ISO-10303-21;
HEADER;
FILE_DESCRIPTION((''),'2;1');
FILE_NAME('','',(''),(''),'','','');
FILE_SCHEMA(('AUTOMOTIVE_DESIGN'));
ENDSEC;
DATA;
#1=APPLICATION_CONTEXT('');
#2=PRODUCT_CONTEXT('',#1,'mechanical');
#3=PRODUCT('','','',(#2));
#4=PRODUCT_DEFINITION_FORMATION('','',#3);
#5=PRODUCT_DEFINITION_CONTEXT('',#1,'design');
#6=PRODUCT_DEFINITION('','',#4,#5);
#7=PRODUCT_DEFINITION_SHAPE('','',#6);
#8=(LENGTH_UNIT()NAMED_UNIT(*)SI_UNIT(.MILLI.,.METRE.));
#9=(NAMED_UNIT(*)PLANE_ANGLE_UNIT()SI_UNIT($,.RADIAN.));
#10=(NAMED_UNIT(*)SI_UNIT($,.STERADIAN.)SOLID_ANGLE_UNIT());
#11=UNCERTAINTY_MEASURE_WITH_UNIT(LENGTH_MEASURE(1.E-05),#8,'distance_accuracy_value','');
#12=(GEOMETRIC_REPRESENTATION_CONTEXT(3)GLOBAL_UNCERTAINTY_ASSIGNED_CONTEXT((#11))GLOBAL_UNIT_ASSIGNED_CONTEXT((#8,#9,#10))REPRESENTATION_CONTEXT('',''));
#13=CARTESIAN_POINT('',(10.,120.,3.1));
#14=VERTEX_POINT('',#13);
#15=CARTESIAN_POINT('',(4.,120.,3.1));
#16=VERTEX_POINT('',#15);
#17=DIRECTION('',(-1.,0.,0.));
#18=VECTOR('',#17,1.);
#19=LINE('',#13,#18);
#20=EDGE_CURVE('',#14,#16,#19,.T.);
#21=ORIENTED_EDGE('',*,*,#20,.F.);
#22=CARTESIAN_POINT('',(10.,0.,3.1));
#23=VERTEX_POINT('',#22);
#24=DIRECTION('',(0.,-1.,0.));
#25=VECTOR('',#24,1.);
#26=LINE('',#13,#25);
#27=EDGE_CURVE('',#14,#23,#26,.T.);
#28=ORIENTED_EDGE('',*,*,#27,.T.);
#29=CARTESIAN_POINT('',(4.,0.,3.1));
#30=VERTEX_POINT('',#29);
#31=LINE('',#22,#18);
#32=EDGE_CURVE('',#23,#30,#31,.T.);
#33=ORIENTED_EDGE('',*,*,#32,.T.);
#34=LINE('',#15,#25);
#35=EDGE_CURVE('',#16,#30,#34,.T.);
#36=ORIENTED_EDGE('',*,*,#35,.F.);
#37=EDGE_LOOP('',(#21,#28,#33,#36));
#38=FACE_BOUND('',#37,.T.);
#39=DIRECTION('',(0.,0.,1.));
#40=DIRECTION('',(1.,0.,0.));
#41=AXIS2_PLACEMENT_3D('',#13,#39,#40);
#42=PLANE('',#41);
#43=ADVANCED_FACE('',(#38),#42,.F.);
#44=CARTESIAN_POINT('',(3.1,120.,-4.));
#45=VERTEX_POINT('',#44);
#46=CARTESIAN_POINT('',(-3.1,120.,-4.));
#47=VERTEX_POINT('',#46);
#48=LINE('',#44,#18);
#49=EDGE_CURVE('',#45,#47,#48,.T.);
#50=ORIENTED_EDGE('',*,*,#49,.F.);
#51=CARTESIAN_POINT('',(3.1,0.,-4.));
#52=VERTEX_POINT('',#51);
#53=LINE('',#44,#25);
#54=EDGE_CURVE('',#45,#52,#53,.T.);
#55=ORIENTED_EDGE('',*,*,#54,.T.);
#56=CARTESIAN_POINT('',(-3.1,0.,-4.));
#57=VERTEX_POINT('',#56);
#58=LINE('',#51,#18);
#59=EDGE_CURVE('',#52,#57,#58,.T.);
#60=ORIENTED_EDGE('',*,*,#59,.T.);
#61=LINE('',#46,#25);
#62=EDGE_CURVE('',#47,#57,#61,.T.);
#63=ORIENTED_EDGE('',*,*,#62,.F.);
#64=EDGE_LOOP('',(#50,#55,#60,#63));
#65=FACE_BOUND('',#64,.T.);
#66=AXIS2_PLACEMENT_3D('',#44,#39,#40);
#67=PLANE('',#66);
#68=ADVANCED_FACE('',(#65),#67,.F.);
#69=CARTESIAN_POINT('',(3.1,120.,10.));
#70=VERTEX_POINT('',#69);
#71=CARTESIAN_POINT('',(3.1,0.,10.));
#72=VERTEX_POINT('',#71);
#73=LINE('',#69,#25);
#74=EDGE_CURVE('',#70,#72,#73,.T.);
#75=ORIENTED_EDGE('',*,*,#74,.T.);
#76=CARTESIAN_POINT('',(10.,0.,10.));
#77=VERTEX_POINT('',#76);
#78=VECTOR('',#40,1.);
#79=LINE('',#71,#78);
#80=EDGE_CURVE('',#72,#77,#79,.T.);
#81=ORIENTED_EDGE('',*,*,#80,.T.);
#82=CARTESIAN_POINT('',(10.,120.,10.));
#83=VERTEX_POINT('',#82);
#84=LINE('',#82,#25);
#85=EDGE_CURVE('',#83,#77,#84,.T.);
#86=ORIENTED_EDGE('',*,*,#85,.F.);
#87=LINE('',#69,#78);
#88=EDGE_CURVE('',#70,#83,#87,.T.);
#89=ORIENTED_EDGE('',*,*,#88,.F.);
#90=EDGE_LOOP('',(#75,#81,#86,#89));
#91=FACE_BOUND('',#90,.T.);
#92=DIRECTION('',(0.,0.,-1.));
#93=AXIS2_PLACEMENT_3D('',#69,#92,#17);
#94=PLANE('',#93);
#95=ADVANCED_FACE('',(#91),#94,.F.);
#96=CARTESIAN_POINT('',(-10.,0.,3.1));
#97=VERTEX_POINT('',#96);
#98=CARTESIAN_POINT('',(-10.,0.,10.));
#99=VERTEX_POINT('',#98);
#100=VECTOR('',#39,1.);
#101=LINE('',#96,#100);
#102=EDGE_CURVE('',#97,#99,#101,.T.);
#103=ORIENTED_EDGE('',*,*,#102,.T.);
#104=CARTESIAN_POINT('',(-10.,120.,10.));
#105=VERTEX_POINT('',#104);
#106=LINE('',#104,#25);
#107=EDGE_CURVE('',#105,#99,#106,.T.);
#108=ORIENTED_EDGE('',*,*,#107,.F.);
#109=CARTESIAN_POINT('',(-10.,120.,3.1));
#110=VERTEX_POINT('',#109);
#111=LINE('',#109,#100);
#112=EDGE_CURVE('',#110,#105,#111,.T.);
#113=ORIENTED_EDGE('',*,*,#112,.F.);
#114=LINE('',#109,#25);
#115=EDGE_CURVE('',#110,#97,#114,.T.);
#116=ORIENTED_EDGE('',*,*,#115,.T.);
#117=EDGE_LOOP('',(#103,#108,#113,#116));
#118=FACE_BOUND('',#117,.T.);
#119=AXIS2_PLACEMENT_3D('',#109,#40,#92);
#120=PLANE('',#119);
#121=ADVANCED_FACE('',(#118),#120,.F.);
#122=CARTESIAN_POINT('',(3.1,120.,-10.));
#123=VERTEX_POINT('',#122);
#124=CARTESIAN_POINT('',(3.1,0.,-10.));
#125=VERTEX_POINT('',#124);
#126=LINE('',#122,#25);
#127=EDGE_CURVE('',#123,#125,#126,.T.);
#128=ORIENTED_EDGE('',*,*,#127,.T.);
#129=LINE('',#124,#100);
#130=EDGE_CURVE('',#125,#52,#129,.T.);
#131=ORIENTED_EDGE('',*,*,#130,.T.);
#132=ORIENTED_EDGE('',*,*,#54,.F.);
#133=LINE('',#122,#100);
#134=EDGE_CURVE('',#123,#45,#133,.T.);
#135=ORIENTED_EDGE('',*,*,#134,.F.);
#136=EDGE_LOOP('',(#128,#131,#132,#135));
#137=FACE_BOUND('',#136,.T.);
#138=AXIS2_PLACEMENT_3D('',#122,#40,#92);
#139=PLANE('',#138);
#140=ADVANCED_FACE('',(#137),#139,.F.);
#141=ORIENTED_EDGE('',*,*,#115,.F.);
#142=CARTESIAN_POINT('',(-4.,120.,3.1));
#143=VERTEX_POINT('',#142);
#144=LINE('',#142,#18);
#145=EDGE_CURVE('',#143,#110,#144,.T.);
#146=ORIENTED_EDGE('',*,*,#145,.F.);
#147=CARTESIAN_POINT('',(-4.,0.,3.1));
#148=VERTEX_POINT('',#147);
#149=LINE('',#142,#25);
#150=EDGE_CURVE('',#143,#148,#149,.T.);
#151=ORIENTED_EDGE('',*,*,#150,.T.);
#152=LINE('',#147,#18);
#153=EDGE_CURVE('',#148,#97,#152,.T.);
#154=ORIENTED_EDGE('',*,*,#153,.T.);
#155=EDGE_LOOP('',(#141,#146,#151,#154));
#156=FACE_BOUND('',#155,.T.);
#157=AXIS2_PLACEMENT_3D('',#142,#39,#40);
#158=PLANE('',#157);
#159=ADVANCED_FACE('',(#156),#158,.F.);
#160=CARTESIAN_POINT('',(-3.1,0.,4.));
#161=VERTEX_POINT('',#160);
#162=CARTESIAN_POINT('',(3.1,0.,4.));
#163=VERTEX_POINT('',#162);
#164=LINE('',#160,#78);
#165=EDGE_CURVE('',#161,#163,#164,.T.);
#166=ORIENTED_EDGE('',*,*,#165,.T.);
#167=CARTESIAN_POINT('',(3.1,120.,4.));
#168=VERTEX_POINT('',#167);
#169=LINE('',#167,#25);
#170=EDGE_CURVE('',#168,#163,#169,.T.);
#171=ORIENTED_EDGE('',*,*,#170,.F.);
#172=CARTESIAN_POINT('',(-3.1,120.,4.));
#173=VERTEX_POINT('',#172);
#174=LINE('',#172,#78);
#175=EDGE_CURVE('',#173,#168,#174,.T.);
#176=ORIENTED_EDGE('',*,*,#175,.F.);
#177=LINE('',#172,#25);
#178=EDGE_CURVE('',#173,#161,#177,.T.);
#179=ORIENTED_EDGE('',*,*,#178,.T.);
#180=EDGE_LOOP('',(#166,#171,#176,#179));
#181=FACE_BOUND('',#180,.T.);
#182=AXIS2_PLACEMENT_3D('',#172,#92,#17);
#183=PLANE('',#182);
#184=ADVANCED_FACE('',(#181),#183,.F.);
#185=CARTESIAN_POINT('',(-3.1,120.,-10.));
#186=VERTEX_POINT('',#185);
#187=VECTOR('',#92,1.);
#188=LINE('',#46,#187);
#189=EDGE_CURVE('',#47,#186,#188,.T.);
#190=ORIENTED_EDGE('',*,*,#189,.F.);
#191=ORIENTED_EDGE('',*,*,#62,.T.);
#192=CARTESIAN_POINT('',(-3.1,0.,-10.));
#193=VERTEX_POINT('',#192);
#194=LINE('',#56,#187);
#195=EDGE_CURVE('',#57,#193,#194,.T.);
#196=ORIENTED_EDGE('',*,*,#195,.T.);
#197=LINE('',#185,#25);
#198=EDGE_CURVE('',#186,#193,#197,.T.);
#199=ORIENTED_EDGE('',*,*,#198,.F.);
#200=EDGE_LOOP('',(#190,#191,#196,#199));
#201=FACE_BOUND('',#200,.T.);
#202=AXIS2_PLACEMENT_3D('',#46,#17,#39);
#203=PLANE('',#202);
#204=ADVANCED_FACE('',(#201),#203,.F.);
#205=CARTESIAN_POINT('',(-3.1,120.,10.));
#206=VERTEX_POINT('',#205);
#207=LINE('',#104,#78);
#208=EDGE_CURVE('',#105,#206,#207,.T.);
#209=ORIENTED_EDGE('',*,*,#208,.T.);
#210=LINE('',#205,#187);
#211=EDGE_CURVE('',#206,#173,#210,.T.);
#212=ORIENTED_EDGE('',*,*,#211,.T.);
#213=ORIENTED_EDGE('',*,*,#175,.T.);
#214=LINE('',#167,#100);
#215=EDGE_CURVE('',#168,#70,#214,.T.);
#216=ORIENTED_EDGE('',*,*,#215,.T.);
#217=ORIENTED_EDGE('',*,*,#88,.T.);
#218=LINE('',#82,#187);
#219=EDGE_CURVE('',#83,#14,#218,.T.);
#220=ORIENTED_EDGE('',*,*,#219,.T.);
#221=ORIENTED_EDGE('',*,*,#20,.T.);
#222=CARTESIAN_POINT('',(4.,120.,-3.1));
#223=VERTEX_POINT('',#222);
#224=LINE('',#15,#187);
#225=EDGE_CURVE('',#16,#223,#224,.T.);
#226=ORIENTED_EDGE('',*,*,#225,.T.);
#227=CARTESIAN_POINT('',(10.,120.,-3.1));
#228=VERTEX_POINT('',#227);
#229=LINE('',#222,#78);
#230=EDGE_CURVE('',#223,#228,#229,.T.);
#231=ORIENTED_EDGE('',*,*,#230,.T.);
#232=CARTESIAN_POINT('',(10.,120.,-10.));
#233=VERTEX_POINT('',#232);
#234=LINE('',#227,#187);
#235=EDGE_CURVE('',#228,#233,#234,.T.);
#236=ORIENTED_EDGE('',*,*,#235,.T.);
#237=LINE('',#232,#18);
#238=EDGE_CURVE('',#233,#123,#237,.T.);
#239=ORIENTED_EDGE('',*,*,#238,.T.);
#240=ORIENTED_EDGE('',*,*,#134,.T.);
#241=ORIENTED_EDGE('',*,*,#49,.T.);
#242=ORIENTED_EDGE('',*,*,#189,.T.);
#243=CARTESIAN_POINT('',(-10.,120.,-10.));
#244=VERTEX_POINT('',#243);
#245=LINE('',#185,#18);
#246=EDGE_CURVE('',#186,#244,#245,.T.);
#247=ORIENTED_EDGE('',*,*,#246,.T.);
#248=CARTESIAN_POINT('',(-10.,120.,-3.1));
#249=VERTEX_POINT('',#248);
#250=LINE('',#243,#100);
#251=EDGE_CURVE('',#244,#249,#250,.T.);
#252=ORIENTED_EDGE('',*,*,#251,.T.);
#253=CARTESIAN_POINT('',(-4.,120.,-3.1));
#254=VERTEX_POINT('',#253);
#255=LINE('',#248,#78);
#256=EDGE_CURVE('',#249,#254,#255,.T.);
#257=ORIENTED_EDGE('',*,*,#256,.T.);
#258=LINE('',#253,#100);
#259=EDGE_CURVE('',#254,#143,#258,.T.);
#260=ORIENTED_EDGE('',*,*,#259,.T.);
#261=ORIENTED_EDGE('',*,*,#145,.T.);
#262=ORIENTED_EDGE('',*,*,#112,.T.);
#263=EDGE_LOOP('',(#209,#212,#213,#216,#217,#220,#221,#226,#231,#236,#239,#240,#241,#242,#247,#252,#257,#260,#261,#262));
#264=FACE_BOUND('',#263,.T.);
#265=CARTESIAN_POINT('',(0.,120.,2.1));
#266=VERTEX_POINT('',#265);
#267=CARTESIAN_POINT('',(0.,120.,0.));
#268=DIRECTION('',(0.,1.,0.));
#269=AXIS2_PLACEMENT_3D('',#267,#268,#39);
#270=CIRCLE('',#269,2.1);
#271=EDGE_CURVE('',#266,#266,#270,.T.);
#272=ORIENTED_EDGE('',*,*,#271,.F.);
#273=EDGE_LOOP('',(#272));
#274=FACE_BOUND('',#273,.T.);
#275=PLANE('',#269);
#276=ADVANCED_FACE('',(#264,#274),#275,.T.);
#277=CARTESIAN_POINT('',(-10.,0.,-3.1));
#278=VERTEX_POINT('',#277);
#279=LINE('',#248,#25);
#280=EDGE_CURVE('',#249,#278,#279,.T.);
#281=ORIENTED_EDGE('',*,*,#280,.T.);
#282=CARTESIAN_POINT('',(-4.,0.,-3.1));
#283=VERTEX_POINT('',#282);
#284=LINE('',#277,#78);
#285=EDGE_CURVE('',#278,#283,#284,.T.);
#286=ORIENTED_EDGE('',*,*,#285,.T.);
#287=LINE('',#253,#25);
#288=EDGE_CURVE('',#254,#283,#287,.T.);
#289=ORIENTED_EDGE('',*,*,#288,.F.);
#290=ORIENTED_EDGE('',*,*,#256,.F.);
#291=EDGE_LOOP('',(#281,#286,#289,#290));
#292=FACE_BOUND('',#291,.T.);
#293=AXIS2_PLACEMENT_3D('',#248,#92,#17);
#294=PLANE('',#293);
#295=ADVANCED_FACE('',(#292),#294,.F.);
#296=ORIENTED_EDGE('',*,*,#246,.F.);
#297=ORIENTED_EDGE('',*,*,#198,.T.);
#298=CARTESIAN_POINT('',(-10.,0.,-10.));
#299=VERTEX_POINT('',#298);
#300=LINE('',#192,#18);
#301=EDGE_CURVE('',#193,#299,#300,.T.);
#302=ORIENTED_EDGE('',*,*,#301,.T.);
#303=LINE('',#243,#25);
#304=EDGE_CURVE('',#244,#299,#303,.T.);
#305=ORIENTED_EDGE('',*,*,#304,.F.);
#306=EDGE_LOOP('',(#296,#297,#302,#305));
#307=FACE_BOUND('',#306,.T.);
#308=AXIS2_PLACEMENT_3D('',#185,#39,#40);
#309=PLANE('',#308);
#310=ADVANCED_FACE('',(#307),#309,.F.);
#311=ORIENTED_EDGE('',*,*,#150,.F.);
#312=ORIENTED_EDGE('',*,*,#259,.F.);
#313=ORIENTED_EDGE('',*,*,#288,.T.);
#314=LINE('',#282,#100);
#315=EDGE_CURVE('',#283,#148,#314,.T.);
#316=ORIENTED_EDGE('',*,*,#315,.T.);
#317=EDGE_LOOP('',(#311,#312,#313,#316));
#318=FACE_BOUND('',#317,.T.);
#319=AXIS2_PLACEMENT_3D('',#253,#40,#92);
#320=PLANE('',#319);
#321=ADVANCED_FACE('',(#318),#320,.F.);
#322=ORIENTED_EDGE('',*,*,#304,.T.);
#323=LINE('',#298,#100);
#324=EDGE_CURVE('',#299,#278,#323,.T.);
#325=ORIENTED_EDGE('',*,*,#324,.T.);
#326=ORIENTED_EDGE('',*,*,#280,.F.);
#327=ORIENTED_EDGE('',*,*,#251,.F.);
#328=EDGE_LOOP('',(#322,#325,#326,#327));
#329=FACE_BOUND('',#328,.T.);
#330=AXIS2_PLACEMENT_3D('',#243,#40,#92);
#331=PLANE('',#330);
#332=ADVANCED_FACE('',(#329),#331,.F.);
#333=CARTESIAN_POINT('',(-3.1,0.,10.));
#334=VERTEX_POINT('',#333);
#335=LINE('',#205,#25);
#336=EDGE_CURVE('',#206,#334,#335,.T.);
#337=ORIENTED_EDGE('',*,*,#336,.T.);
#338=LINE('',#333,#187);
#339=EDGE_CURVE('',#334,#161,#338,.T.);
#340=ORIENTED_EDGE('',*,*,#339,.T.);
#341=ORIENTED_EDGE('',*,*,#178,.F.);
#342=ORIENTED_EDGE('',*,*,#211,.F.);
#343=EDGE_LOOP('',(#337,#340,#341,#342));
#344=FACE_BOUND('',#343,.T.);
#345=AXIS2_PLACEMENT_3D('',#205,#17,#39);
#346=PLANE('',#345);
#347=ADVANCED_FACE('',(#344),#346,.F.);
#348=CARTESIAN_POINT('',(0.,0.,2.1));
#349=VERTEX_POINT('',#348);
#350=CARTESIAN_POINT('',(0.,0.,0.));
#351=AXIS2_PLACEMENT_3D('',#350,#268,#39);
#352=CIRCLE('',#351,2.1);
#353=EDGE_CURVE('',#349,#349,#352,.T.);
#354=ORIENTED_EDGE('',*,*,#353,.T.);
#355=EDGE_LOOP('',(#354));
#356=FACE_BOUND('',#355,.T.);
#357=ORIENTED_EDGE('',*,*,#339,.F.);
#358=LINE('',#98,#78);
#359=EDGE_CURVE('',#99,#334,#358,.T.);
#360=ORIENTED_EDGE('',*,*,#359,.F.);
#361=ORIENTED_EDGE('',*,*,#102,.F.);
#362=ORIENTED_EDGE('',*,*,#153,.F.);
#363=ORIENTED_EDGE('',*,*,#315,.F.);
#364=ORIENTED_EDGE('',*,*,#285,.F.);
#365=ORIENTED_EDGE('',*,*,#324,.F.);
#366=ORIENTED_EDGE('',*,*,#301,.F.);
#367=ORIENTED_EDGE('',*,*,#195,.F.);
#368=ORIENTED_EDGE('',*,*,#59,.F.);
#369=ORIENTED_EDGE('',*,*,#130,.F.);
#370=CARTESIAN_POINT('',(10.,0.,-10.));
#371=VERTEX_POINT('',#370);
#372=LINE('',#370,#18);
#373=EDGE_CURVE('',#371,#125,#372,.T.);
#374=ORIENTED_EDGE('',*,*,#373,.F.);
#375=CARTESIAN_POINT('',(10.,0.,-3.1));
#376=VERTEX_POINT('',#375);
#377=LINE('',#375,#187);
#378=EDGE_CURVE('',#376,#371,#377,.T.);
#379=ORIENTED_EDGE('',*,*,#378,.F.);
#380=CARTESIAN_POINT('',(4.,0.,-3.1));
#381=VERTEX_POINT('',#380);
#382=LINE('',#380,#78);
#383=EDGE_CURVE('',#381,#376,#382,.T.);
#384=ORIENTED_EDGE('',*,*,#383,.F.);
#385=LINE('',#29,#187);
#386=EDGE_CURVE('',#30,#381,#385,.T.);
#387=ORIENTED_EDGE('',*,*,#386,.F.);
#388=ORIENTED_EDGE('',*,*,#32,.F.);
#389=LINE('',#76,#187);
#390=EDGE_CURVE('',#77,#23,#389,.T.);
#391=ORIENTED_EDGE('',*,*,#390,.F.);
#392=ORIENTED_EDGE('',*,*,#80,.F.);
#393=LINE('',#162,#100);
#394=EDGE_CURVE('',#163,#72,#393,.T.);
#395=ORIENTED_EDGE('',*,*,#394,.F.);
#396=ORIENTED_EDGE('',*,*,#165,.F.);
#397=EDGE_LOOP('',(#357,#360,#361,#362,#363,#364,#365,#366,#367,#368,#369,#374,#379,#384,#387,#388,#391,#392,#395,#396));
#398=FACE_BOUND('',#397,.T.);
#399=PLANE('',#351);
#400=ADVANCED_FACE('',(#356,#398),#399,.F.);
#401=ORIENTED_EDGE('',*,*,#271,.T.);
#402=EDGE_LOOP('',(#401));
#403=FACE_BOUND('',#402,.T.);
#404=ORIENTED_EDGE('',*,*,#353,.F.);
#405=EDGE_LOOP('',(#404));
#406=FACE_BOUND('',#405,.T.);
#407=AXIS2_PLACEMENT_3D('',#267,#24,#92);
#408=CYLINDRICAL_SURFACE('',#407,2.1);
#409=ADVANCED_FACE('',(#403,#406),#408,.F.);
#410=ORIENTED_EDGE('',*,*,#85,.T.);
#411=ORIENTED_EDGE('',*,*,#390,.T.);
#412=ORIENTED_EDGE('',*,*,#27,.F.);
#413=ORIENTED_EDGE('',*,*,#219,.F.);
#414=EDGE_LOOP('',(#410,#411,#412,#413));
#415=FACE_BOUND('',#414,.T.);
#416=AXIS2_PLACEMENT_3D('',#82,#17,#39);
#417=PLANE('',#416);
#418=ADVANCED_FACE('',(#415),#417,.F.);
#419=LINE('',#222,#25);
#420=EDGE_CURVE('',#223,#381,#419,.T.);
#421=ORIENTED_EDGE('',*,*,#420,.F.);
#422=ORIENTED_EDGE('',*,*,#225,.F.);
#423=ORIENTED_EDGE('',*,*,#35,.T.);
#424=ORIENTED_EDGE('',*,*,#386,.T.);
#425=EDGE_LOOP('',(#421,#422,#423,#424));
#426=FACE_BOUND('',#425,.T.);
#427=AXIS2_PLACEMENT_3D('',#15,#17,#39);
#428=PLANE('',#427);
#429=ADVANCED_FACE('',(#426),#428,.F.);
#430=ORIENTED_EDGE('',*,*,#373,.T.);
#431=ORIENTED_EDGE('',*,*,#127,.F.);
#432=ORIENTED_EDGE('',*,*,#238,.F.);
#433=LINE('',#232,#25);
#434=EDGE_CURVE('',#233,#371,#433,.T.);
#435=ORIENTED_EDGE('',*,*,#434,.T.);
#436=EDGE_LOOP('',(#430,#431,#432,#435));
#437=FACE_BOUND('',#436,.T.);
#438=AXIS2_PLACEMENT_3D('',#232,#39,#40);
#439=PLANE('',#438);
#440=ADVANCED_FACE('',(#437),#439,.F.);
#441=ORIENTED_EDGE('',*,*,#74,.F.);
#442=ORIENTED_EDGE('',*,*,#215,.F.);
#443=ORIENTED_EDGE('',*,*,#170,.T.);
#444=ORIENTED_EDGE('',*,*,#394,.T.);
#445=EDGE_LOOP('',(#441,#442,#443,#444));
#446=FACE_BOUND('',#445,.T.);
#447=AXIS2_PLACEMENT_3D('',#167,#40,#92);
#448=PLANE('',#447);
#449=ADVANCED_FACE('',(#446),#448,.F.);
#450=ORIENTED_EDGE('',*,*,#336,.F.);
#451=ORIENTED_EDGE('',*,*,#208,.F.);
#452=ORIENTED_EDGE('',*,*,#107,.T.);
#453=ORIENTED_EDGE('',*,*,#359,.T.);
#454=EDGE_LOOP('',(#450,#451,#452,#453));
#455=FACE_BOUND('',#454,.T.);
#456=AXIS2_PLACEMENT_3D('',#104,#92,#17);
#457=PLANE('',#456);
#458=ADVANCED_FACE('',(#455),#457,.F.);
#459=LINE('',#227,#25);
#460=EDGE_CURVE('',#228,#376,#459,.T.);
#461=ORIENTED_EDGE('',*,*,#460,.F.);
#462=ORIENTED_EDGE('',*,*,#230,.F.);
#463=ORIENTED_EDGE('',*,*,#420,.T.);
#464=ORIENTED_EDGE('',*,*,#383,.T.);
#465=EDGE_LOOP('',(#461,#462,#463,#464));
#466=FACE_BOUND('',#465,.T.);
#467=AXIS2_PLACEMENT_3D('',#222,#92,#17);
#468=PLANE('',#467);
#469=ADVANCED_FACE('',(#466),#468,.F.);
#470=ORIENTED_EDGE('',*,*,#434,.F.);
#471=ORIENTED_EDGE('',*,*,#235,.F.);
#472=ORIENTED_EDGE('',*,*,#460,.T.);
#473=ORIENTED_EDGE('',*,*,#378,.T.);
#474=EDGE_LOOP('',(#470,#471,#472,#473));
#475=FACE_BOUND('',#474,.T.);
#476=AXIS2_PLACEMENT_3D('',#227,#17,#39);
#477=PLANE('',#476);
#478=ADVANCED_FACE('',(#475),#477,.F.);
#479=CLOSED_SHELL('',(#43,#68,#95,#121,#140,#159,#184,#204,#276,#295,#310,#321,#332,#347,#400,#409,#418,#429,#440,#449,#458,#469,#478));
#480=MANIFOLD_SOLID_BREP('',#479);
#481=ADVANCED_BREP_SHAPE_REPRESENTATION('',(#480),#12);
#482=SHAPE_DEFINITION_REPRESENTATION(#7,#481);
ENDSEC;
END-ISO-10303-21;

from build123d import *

# Parameters (mm, degrees)
SK_P01_P2020_R  = 2.1
P01_P2020_DEPTH = 120


with BuildPart() as part:
    # SK_P01_p2020 → P01_p2020 (new body)
    with BuildSketch(Plane(origin=(0, 0, 0), x_dir=(1, 0, 0), z_dir=(0, 1, 0))):
        Polygon((10, -10), (10, -3.1), (4, -3.1), (4, 3.1), (10, 3.1), (10, 10), (3.1, 10), (3.1, 4), (-3.1, 4), (-3.1, 10), (-10, 10), (-10, 3.1), (-4, 3.1), (-4, -3.1), (-10, -3.1), (-10, -10), (-3.1, -10), (-3.1, -4), (3.1, -4), (3.1, -10), align=None)
        with Locations(Location((0, 0, 0), (0, 0, 270))):
            Circle(SK_P01_P2020_R, mode=Mode.SUBTRACT)
    extrude(amount=P01_P2020_DEPTH)


solid = part.part
